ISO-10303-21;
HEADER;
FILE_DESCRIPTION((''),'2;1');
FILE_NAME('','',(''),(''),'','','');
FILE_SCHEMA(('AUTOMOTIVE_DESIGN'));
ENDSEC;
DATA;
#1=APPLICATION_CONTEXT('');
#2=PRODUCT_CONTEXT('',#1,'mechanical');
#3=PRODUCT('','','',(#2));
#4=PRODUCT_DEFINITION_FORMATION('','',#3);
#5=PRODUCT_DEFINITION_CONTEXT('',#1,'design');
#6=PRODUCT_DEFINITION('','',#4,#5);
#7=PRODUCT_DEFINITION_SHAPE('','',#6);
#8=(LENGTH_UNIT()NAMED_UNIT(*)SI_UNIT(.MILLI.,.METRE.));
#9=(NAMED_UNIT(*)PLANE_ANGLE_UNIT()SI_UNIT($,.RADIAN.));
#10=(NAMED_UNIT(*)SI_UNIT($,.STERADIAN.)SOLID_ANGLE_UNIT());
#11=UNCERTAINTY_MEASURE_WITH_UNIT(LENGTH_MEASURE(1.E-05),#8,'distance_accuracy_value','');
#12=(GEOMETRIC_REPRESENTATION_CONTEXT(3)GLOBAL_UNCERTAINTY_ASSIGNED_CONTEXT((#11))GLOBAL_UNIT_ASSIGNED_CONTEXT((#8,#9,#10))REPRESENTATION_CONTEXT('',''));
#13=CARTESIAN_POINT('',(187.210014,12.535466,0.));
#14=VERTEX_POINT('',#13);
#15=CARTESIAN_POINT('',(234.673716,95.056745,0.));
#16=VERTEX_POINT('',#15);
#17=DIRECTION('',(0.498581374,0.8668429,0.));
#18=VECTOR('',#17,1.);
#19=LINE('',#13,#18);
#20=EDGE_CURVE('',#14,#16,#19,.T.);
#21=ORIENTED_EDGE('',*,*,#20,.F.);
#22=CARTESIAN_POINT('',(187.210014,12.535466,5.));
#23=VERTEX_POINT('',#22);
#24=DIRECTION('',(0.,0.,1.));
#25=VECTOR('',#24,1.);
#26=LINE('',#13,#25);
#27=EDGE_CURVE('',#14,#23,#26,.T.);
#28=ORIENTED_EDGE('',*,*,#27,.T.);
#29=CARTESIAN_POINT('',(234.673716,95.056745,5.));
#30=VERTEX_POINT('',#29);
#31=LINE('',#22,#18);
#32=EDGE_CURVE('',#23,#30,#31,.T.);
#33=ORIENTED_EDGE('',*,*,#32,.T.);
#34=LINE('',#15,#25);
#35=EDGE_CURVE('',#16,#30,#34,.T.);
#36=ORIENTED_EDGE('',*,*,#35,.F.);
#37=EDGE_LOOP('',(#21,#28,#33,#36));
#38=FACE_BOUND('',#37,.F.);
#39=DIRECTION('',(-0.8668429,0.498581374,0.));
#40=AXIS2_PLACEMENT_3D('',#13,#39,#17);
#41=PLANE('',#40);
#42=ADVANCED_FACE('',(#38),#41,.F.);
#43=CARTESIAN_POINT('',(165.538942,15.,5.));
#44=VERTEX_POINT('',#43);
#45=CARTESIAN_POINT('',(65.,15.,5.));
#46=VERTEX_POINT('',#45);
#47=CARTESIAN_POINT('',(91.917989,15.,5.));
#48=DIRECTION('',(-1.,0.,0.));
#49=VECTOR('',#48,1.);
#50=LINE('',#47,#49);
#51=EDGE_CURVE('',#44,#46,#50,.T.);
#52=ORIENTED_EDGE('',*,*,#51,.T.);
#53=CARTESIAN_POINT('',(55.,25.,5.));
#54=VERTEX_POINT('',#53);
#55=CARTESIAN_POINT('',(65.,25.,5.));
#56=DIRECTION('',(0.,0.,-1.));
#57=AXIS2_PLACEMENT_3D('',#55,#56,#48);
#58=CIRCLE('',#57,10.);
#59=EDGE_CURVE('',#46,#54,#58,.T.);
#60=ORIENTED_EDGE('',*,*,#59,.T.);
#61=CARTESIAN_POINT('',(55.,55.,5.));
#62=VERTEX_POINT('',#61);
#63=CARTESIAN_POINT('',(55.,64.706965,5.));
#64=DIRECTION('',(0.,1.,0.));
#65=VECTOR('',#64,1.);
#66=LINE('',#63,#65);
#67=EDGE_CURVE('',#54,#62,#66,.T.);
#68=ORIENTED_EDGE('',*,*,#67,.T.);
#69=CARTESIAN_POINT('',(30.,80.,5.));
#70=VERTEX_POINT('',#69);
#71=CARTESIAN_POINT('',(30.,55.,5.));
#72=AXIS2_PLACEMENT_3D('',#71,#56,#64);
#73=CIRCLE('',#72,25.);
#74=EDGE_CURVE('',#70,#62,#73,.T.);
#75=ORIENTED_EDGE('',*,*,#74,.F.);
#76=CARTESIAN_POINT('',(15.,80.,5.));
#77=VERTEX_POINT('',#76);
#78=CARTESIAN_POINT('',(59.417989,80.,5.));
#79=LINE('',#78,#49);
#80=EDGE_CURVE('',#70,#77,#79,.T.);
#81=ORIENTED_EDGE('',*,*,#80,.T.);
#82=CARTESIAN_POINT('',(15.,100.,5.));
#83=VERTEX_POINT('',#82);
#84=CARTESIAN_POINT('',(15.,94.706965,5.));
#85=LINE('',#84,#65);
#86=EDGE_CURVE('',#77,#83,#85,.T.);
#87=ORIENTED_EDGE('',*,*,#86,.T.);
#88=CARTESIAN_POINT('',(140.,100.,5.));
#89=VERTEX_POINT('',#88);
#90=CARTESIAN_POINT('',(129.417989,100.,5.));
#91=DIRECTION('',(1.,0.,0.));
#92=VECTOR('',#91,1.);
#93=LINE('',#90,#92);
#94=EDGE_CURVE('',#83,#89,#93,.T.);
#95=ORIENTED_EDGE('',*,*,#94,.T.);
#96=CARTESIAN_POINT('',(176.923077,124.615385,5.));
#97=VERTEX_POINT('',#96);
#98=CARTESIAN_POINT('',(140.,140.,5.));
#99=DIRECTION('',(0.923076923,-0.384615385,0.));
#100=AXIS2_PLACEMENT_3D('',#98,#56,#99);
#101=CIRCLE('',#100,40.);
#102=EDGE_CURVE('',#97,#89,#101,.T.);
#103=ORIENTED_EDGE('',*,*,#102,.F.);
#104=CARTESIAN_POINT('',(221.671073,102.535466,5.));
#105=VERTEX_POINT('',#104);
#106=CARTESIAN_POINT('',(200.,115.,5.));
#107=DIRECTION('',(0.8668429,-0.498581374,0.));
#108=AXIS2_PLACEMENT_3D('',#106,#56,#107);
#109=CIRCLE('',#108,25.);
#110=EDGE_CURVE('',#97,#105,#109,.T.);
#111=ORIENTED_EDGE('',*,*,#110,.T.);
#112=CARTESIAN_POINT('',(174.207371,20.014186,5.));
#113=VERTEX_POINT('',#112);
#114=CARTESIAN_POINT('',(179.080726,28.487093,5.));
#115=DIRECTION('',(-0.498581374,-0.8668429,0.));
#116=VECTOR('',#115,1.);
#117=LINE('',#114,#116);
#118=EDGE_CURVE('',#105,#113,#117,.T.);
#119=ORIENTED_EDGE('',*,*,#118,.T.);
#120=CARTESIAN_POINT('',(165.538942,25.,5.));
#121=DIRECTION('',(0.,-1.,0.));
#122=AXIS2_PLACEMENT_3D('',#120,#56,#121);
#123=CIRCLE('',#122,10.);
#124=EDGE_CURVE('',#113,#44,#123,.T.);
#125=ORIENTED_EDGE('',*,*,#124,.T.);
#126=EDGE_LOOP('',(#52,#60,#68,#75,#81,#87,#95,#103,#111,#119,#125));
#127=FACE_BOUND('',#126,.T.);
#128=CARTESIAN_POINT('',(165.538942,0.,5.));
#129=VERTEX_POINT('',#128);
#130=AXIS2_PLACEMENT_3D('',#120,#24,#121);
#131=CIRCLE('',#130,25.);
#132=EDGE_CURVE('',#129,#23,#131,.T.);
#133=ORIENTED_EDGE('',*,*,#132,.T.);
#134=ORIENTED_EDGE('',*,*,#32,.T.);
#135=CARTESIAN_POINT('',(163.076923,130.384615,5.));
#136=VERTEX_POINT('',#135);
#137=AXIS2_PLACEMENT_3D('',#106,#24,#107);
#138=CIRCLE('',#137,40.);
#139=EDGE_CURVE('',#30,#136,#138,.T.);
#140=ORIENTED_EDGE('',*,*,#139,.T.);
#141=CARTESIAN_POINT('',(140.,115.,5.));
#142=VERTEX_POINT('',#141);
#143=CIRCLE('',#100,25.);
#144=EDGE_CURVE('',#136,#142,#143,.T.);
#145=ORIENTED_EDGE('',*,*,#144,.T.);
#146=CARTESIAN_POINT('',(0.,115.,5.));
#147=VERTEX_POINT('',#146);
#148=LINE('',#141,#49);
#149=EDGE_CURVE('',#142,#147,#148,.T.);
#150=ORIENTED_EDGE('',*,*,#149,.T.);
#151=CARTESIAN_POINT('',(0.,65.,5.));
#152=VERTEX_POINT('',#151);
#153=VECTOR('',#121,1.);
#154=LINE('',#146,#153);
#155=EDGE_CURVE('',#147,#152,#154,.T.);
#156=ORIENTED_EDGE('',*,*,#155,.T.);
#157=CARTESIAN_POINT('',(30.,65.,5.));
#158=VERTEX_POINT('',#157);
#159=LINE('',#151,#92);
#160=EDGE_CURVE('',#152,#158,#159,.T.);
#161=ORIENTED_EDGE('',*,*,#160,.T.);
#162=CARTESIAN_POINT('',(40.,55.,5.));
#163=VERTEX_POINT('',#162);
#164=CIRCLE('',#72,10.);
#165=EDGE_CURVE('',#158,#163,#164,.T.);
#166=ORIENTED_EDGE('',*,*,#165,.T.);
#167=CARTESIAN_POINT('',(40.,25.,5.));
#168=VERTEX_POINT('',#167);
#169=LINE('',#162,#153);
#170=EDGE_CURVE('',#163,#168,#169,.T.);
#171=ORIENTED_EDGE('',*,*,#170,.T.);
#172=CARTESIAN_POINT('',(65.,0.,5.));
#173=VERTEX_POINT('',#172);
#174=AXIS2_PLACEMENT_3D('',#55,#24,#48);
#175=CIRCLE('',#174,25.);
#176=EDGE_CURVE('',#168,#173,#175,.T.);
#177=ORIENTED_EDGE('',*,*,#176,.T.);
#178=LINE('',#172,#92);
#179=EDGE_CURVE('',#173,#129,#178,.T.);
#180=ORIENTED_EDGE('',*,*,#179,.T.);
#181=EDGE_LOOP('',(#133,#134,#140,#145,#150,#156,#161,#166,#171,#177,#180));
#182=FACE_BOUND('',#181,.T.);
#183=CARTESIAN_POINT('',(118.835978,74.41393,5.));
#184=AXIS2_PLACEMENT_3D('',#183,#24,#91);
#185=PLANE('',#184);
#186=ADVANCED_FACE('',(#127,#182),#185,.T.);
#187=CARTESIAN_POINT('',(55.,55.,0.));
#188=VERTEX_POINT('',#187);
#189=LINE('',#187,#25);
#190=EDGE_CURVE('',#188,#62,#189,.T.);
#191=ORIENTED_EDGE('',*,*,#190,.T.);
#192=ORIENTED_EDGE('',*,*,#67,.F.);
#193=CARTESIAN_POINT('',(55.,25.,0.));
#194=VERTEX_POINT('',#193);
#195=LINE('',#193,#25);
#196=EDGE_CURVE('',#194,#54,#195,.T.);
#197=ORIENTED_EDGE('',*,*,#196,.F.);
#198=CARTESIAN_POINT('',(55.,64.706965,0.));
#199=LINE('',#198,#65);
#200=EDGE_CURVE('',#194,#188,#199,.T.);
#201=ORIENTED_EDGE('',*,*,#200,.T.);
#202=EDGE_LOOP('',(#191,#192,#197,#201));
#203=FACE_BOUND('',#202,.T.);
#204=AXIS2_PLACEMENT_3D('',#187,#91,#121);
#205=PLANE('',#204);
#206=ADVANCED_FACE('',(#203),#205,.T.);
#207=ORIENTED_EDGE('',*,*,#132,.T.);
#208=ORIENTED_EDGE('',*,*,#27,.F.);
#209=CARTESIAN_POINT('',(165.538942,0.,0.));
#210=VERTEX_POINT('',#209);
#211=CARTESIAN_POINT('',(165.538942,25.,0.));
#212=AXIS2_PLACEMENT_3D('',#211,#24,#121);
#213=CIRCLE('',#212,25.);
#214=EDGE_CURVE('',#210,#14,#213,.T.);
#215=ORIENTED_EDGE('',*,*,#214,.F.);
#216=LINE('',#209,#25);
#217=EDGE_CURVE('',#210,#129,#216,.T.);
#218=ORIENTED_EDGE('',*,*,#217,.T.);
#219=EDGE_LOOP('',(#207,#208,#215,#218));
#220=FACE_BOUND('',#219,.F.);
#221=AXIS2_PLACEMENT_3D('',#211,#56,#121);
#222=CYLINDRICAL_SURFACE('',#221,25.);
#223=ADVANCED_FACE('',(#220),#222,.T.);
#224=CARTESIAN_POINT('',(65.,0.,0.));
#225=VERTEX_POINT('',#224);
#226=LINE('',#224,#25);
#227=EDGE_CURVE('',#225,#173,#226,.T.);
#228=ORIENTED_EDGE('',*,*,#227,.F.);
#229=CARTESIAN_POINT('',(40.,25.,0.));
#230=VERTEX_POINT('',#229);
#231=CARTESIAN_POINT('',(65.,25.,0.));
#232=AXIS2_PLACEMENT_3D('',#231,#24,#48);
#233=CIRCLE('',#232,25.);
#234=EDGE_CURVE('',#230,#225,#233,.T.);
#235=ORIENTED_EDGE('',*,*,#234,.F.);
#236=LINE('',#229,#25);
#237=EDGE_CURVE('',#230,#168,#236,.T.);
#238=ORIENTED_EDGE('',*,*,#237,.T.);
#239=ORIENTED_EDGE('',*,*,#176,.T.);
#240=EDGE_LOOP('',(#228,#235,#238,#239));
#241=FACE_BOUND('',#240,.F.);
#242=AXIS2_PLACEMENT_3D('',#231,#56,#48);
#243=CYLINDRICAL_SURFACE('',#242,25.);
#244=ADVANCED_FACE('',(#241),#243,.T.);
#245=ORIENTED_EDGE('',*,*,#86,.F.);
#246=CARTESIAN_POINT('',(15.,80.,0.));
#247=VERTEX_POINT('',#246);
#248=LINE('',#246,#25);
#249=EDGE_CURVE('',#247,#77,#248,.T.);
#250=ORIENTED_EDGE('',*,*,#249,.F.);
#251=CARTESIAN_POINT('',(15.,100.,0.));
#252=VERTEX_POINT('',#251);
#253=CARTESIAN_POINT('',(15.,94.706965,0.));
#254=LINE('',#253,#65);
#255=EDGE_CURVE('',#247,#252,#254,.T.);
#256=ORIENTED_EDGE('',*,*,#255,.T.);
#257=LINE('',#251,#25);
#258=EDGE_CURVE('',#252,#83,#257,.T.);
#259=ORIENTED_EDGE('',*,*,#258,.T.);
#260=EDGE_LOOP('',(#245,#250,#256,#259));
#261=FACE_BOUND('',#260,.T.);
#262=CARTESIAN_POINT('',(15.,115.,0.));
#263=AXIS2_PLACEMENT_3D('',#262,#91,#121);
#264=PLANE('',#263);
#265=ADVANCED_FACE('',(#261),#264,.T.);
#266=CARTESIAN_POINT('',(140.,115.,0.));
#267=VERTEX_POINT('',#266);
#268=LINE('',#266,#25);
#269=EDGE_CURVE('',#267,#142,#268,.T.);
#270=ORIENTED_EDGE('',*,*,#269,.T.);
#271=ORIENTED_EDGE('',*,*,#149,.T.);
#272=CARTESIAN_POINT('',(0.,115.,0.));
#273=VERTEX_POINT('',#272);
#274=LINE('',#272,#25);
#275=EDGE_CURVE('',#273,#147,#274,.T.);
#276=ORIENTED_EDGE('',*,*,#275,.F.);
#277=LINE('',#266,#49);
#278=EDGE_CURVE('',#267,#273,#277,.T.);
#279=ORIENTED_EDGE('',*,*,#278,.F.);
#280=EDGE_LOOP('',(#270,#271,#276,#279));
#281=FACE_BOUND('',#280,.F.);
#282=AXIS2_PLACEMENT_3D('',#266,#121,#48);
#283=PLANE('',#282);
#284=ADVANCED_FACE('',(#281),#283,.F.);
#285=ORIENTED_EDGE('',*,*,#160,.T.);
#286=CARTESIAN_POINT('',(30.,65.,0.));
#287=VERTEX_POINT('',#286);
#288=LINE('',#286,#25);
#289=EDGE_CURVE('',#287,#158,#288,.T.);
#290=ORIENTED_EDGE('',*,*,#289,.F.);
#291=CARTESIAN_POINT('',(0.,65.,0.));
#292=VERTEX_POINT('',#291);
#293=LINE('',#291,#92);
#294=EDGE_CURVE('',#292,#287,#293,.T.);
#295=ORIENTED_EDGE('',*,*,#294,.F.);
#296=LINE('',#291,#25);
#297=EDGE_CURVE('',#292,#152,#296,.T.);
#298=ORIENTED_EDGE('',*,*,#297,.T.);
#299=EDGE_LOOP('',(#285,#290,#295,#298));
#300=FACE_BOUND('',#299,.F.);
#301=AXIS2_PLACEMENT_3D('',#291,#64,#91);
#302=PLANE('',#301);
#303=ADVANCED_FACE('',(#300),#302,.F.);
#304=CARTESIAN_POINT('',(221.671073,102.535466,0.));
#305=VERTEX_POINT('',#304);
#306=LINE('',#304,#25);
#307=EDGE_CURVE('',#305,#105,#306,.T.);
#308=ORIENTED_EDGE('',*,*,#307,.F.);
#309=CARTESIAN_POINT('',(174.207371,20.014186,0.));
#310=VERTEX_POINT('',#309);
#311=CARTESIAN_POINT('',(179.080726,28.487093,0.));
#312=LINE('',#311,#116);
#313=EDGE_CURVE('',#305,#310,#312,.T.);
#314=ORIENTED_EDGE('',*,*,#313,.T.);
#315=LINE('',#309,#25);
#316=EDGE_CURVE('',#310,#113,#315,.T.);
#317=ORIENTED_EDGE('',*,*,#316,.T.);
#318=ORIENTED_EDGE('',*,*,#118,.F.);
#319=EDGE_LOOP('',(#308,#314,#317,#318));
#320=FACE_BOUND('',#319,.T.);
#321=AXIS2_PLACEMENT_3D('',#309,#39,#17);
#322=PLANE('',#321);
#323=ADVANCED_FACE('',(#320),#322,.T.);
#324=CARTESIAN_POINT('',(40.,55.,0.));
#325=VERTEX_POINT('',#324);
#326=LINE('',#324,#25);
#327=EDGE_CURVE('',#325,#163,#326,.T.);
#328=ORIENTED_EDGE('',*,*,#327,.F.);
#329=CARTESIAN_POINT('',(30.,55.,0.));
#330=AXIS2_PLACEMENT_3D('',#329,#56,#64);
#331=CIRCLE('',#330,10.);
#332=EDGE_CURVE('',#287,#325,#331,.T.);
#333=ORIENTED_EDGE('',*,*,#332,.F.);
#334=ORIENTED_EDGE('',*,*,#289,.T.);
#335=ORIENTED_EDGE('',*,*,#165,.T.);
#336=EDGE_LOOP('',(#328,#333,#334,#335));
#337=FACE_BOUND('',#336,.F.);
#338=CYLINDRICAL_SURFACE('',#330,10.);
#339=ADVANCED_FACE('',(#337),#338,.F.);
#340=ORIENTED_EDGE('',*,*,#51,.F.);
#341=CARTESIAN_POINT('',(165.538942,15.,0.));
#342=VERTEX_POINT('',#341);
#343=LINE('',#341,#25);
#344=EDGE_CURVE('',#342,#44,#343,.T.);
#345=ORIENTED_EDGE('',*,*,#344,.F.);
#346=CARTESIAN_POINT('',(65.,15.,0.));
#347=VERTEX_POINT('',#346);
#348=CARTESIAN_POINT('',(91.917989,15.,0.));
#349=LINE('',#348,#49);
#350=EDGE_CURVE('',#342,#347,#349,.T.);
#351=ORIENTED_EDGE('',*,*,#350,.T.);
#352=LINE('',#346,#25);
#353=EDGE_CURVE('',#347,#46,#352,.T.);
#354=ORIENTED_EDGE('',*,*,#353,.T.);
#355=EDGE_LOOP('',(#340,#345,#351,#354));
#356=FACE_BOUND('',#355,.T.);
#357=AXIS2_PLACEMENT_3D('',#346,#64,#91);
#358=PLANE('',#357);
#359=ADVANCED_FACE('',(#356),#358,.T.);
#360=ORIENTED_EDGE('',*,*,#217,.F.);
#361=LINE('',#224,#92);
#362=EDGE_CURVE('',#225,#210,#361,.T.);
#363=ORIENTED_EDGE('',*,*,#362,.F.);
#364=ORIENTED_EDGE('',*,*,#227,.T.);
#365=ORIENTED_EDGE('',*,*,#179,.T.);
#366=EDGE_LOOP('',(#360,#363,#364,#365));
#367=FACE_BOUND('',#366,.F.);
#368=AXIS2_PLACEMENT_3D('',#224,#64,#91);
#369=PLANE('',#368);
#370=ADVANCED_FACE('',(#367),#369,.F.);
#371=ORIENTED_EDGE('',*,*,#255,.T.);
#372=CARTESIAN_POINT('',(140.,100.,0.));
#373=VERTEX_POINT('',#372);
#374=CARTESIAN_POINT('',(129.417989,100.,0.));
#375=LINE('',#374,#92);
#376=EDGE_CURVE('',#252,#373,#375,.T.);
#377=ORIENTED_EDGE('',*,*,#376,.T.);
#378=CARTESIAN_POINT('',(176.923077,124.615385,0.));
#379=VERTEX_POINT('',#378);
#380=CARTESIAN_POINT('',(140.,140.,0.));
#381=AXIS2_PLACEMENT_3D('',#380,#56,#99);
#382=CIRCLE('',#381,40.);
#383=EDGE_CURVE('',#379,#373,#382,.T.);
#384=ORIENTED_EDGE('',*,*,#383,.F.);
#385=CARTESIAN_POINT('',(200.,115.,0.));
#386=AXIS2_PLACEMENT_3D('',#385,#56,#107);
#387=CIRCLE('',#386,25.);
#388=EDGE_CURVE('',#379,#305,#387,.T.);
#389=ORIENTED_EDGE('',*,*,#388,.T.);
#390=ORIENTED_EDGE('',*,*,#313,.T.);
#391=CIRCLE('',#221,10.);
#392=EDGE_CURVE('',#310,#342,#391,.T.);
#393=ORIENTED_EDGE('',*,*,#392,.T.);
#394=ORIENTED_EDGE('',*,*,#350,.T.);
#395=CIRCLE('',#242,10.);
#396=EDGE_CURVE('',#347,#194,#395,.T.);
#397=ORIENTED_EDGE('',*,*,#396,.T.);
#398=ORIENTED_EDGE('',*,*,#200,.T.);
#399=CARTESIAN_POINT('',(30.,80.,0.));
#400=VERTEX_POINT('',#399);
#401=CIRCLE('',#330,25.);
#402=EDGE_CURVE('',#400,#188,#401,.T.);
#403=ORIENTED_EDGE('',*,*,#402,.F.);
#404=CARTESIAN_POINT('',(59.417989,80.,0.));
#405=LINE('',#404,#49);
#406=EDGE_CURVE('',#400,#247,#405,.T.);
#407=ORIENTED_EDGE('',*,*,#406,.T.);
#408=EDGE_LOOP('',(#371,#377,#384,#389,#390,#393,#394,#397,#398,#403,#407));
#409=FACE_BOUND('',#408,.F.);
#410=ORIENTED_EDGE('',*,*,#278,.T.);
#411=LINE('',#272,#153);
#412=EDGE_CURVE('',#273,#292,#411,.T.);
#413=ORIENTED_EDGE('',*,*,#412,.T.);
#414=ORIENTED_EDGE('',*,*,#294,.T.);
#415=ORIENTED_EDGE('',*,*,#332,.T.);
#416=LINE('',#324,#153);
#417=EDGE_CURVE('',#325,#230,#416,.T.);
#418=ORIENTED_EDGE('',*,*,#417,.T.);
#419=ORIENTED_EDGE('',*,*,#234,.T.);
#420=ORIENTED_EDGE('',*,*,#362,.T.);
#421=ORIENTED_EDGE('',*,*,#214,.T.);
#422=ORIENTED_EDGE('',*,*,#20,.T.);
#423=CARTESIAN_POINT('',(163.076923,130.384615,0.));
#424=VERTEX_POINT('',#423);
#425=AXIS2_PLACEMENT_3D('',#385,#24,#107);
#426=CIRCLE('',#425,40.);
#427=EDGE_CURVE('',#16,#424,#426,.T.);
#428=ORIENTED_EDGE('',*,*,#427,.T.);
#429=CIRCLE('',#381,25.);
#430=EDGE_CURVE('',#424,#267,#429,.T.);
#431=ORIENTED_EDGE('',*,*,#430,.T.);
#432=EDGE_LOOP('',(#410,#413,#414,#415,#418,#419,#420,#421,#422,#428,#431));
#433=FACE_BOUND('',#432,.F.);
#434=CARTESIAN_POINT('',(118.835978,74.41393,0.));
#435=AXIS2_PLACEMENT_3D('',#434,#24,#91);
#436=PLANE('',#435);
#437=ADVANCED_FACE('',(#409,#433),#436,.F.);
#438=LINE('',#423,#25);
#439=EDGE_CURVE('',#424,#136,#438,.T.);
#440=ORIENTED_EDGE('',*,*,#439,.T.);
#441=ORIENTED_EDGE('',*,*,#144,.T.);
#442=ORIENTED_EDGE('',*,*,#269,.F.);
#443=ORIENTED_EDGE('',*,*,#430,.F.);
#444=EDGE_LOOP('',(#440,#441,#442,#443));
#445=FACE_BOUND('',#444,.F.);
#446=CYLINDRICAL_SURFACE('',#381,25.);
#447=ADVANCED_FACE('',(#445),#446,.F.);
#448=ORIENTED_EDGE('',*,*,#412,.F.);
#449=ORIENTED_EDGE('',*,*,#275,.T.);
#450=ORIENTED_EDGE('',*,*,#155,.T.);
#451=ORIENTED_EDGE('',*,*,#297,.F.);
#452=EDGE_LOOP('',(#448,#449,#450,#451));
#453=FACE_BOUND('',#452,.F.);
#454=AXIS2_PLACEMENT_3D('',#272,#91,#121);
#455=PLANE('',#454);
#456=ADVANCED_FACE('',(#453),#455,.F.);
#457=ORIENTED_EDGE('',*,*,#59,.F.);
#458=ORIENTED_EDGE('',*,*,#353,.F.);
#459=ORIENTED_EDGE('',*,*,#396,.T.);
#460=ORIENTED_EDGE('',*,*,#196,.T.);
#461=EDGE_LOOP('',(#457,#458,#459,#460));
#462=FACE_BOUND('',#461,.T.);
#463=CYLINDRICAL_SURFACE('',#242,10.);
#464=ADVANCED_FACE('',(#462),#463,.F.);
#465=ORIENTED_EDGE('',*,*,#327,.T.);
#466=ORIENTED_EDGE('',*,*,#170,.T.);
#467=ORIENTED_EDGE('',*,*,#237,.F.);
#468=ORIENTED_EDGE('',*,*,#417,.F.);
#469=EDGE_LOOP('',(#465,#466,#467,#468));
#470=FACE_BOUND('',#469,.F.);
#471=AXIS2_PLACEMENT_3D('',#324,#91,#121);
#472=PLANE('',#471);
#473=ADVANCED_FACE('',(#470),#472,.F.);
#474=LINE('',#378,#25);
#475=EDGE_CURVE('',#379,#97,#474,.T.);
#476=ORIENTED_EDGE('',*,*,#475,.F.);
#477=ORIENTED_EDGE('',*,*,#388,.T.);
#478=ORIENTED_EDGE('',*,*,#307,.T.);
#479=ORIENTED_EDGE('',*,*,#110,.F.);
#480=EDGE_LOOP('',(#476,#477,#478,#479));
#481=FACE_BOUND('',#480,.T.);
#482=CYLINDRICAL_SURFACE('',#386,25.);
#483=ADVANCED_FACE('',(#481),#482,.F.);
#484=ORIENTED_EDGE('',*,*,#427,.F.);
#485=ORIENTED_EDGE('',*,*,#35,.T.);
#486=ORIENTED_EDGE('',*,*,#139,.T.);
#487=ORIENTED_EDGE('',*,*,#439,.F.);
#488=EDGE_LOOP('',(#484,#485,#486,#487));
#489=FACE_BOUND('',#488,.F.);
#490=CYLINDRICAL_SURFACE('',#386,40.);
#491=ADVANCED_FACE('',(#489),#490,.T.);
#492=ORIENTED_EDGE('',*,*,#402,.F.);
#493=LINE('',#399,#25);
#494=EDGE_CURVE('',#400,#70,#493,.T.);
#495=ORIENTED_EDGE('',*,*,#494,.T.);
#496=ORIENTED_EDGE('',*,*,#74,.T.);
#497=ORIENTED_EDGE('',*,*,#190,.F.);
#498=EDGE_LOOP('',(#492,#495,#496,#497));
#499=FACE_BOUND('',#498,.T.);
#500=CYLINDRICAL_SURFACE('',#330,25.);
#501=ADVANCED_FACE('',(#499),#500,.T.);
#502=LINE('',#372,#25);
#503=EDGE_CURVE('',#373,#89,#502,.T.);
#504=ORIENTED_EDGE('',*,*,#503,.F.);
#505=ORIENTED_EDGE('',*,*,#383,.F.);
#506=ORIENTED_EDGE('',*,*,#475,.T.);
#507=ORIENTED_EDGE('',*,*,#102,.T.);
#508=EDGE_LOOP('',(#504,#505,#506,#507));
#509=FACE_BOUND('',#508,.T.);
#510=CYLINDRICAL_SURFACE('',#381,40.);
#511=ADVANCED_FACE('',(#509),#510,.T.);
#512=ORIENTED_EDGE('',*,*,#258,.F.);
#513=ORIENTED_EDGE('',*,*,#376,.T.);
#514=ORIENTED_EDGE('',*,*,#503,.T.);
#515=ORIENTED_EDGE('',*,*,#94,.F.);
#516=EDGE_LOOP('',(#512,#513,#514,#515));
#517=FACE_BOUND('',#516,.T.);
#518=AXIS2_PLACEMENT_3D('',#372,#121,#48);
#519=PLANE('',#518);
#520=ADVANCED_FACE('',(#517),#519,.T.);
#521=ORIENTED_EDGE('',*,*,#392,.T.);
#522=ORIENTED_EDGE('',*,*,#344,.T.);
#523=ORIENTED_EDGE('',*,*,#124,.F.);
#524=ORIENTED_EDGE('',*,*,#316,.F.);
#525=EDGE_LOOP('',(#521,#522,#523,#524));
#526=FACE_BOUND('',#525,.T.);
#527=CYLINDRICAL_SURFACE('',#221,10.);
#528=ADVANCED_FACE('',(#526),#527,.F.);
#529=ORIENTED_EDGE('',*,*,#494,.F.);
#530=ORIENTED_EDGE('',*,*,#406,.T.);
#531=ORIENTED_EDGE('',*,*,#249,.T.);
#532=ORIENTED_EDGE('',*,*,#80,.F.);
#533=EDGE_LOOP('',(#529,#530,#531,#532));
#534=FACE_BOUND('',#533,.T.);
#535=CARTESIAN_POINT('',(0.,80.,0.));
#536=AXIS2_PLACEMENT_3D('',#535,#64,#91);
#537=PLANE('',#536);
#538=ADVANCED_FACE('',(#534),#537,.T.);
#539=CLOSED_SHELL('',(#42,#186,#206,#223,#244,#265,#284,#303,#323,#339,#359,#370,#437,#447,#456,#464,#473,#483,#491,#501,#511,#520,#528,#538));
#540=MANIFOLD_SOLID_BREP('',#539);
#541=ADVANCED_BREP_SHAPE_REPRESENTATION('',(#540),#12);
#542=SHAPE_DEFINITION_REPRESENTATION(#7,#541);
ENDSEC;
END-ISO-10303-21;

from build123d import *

# Parameters (mm, degrees)
BOSS_EXTRUDE1_DEPTH = 5
SHELL1_T            = -15


with BuildPart() as part:
    # Sketch1 → Boss-Extrude1 (new body)
    with BuildSketch(Plane.XY):
        with BuildLine():
            Line((140, 115), (0, 115))
            Line((0, 115), (0, 65))
            Line((0, 65), (30, 65))
            ThreePointArc((30, 65), (37.071067812, 62.071067812), (40, 55))
            Line((40, 55), (40, 25))
            ThreePointArc((40, 25), (47.32233047, 7.32233047), (65, 0))
            Line((65, 0), (165.538941775, 0))
            ThreePointArc((165.538941775, 0), (178.05666204, 3.359605379), (187.210014279, 12.535465651))
            Line((187.210014279, 12.535465651), (234.673716006, 95.056745042))
            ThreePointArc((234.673716006, 95.056745042), (217.699703722, 150.870886358), (163.076923077, 130.384615385))
            ThreePointArc((163.076923077, 130.384615385), (153.867504906, 119.198742642), (140, 115))
        make_face()
    extrude(amount=BOSS_EXTRUDE1_DEPTH)

    # Shell1
    shell1_openings = [part.faces().sort_by_distance(p)[0] for p in [
        (98.657145907, 64.238067092, 5),
        (98.657145907, 64.238067092, 0),
    ]]
    offset(amount=SHELL1_T, openings=shell1_openings, kind=Kind.INTERSECTION)


solid = part.part
